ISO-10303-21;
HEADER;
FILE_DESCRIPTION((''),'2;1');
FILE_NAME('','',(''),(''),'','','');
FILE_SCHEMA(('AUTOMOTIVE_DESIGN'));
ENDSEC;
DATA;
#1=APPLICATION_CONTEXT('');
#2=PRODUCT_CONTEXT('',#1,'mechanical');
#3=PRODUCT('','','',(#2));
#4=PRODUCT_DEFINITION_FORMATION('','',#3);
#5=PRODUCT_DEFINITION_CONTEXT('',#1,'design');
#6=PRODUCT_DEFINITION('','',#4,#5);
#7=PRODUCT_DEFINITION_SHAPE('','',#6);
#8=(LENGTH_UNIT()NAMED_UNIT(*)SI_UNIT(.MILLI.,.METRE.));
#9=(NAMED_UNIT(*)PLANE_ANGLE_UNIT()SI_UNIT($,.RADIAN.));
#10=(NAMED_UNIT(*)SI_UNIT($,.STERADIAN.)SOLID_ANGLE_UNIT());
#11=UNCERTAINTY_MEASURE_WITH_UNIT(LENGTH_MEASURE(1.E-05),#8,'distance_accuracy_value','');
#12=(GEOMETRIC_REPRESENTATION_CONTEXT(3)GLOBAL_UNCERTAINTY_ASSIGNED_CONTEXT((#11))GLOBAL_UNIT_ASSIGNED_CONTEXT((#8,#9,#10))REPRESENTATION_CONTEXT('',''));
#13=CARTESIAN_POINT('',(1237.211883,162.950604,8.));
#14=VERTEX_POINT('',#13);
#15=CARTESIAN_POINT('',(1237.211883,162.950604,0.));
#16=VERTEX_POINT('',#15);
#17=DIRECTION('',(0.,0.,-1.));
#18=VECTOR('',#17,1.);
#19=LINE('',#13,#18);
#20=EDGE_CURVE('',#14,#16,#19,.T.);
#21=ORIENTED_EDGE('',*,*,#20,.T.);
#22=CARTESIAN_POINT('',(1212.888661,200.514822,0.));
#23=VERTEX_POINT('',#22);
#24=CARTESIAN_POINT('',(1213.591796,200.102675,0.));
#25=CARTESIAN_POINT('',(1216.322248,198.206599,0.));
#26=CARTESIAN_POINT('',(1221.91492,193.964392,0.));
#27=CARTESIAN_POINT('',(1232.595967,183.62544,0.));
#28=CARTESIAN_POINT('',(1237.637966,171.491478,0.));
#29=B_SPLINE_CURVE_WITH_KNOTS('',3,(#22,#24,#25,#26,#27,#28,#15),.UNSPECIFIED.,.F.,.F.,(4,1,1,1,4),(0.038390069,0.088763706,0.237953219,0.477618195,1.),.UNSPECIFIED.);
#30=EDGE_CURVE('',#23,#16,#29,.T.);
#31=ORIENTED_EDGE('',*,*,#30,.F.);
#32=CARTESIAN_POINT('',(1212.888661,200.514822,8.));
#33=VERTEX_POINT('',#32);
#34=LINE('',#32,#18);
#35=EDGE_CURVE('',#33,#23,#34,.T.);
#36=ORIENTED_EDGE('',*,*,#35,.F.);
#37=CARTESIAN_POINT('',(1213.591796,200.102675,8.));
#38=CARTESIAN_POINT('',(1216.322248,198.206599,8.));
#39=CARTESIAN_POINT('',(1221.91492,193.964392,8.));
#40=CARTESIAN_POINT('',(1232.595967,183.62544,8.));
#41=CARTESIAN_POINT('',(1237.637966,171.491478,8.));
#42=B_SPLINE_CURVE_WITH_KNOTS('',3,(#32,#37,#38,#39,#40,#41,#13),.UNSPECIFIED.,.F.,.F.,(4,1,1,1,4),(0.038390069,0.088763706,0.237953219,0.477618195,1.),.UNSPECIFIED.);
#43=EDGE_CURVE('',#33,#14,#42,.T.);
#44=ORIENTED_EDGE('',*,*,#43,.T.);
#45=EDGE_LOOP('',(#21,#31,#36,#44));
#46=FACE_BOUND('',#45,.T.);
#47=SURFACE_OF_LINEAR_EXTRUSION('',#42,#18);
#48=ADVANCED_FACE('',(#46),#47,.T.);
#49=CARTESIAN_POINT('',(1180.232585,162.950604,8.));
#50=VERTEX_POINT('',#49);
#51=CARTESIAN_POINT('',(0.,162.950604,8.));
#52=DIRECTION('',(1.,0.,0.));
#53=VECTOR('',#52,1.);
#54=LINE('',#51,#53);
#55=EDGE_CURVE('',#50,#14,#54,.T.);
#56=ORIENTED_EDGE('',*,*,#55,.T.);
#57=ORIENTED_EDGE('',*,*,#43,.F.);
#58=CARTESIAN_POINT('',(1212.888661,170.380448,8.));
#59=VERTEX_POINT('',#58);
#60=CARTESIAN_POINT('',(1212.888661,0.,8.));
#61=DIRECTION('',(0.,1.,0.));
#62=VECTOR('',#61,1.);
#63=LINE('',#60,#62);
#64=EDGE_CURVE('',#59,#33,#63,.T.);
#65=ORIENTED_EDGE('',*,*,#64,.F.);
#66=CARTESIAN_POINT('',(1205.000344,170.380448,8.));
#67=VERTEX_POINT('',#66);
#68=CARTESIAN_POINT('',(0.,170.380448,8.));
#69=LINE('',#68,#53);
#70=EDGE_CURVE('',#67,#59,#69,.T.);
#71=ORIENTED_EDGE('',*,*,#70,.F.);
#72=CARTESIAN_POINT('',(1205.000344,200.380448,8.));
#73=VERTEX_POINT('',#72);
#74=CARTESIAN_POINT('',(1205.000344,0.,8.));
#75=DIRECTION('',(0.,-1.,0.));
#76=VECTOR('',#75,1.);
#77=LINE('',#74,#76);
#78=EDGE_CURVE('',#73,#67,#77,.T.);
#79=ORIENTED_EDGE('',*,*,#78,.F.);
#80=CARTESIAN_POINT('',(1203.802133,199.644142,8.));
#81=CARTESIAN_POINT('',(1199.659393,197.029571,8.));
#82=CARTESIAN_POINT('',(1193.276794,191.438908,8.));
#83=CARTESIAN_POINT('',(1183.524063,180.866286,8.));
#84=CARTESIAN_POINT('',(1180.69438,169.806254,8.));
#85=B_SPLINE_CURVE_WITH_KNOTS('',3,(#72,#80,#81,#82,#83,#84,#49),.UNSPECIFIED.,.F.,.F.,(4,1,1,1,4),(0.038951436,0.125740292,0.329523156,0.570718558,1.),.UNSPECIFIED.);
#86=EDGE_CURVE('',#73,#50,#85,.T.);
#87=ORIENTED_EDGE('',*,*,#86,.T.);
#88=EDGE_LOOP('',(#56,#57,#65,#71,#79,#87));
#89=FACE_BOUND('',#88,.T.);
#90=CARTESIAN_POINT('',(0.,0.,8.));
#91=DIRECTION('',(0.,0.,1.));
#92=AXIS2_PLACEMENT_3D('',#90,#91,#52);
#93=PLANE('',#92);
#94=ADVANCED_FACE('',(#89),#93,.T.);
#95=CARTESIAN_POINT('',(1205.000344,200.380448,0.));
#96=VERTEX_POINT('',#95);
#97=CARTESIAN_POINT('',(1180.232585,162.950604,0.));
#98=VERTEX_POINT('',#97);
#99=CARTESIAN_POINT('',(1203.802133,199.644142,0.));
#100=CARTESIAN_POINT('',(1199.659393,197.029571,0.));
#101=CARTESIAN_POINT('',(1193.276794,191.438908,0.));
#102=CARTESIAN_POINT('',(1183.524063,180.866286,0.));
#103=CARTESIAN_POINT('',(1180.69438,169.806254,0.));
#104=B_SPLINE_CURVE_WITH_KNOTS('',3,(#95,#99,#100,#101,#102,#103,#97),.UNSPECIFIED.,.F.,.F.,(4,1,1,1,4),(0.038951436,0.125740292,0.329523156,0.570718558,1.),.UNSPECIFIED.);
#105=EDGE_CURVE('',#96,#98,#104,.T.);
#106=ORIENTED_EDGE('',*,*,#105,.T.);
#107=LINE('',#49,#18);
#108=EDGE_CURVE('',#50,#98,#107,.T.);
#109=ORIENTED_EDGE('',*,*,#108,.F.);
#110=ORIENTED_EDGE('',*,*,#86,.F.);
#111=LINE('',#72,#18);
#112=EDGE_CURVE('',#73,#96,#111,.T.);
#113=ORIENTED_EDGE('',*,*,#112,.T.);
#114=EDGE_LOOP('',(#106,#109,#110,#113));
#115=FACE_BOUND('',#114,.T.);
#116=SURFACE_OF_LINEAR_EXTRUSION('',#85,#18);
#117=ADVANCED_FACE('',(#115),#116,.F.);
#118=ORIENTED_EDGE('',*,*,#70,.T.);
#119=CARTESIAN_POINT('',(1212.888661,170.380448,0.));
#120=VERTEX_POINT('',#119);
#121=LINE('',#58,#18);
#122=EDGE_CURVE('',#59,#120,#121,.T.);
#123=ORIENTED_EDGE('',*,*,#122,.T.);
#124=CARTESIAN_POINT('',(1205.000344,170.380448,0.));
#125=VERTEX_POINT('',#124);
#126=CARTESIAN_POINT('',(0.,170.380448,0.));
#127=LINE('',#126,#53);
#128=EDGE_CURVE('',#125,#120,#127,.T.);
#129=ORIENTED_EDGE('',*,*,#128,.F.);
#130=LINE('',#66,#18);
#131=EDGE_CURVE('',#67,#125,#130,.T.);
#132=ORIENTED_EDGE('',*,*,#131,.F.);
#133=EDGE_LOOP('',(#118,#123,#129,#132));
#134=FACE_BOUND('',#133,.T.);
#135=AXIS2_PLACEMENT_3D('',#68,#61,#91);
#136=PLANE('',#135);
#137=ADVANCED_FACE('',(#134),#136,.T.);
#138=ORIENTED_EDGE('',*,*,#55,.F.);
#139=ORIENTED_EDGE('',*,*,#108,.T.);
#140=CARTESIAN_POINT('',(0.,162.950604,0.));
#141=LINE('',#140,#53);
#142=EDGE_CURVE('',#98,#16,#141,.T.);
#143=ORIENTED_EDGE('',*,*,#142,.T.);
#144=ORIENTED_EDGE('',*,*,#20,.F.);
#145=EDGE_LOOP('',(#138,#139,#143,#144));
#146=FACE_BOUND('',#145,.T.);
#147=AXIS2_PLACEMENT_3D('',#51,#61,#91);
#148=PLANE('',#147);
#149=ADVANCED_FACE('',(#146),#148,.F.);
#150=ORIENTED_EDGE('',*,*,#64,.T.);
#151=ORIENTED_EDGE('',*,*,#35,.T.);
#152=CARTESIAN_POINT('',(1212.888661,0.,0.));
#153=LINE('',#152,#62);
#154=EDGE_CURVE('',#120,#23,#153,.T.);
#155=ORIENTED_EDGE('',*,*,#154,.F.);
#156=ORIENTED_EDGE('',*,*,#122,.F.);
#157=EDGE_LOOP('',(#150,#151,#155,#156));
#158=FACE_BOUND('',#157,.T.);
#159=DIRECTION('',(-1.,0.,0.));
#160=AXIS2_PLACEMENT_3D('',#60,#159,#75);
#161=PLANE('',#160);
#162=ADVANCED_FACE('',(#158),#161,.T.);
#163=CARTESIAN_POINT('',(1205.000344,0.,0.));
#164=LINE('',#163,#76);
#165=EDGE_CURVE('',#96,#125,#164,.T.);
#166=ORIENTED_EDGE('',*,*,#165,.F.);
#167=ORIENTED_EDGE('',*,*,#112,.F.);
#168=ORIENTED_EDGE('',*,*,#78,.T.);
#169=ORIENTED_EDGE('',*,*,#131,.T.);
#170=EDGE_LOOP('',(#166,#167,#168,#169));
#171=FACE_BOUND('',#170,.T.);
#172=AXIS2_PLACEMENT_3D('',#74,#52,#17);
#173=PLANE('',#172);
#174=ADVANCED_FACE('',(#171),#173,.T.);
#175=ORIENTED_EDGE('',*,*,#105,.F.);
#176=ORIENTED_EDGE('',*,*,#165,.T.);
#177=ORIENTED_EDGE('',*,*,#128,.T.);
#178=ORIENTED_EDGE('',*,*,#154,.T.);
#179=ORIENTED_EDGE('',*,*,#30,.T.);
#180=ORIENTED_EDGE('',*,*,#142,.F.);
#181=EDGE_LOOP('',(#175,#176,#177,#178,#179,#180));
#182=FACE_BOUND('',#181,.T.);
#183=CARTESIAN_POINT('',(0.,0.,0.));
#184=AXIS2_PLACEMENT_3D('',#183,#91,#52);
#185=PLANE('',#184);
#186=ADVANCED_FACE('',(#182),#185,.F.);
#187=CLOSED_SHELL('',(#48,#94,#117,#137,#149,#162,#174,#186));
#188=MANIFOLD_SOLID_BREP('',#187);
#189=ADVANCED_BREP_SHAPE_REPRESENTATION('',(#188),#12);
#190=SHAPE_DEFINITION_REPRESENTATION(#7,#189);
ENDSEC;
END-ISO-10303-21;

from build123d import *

# Parameters (mm, degrees)
EXTRUDE_1_DEPTH = 8


with BuildPart() as part:
    # 草图1 → 凸台-拉伸1 (new body)
    with BuildSketch(Plane.XY):
        with BuildLine():
            Line((1205.000343889, 200.380448257), (1205.000343889, 170.380448257))
            Line((1205.000343889, 170.380448257), (1212.88866118, 170.380448257))
            Line((1212.88866118, 170.380448257), (1212.88866118, 200.514821588))
            add(Edge.make_bspline(
                [(1212.88866118, 200.514821588), (1213.591796404, 200.102674546), (1216.322248426, 198.206599205), (1221.914919676, 193.964391888), (1232.595967144, 183.625439508), (1237.637966356, 171.491478384), (1237.211883134, 162.95060423)],
                knots=[0.038390069, 0.038390069, 0.038390069, 0.038390069, 0.088763706, 0.237953219, 0.477618195, 1, 1, 1, 1], degree=3))
            Line((1237.211883134, 162.95060423), (1180.232585387, 162.95060423))
            add(Edge.make_bspline(
                [(1205.000343889, 200.380448257), (1203.802132525, 199.644141671), (1199.659392578, 197.029571139), (1193.276793905, 191.438907576), (1183.524062882, 180.866285612), (1180.694379897, 169.80625417), (1180.232585387, 162.95060423)],
                knots=[0.038951436, 0.038951436, 0.038951436, 0.038951436, 0.125740292, 0.329523156, 0.570718558, 1, 1, 1, 1], degree=3))
        make_face()
    extrude(amount=EXTRUDE_1_DEPTH)


solid = part.part
